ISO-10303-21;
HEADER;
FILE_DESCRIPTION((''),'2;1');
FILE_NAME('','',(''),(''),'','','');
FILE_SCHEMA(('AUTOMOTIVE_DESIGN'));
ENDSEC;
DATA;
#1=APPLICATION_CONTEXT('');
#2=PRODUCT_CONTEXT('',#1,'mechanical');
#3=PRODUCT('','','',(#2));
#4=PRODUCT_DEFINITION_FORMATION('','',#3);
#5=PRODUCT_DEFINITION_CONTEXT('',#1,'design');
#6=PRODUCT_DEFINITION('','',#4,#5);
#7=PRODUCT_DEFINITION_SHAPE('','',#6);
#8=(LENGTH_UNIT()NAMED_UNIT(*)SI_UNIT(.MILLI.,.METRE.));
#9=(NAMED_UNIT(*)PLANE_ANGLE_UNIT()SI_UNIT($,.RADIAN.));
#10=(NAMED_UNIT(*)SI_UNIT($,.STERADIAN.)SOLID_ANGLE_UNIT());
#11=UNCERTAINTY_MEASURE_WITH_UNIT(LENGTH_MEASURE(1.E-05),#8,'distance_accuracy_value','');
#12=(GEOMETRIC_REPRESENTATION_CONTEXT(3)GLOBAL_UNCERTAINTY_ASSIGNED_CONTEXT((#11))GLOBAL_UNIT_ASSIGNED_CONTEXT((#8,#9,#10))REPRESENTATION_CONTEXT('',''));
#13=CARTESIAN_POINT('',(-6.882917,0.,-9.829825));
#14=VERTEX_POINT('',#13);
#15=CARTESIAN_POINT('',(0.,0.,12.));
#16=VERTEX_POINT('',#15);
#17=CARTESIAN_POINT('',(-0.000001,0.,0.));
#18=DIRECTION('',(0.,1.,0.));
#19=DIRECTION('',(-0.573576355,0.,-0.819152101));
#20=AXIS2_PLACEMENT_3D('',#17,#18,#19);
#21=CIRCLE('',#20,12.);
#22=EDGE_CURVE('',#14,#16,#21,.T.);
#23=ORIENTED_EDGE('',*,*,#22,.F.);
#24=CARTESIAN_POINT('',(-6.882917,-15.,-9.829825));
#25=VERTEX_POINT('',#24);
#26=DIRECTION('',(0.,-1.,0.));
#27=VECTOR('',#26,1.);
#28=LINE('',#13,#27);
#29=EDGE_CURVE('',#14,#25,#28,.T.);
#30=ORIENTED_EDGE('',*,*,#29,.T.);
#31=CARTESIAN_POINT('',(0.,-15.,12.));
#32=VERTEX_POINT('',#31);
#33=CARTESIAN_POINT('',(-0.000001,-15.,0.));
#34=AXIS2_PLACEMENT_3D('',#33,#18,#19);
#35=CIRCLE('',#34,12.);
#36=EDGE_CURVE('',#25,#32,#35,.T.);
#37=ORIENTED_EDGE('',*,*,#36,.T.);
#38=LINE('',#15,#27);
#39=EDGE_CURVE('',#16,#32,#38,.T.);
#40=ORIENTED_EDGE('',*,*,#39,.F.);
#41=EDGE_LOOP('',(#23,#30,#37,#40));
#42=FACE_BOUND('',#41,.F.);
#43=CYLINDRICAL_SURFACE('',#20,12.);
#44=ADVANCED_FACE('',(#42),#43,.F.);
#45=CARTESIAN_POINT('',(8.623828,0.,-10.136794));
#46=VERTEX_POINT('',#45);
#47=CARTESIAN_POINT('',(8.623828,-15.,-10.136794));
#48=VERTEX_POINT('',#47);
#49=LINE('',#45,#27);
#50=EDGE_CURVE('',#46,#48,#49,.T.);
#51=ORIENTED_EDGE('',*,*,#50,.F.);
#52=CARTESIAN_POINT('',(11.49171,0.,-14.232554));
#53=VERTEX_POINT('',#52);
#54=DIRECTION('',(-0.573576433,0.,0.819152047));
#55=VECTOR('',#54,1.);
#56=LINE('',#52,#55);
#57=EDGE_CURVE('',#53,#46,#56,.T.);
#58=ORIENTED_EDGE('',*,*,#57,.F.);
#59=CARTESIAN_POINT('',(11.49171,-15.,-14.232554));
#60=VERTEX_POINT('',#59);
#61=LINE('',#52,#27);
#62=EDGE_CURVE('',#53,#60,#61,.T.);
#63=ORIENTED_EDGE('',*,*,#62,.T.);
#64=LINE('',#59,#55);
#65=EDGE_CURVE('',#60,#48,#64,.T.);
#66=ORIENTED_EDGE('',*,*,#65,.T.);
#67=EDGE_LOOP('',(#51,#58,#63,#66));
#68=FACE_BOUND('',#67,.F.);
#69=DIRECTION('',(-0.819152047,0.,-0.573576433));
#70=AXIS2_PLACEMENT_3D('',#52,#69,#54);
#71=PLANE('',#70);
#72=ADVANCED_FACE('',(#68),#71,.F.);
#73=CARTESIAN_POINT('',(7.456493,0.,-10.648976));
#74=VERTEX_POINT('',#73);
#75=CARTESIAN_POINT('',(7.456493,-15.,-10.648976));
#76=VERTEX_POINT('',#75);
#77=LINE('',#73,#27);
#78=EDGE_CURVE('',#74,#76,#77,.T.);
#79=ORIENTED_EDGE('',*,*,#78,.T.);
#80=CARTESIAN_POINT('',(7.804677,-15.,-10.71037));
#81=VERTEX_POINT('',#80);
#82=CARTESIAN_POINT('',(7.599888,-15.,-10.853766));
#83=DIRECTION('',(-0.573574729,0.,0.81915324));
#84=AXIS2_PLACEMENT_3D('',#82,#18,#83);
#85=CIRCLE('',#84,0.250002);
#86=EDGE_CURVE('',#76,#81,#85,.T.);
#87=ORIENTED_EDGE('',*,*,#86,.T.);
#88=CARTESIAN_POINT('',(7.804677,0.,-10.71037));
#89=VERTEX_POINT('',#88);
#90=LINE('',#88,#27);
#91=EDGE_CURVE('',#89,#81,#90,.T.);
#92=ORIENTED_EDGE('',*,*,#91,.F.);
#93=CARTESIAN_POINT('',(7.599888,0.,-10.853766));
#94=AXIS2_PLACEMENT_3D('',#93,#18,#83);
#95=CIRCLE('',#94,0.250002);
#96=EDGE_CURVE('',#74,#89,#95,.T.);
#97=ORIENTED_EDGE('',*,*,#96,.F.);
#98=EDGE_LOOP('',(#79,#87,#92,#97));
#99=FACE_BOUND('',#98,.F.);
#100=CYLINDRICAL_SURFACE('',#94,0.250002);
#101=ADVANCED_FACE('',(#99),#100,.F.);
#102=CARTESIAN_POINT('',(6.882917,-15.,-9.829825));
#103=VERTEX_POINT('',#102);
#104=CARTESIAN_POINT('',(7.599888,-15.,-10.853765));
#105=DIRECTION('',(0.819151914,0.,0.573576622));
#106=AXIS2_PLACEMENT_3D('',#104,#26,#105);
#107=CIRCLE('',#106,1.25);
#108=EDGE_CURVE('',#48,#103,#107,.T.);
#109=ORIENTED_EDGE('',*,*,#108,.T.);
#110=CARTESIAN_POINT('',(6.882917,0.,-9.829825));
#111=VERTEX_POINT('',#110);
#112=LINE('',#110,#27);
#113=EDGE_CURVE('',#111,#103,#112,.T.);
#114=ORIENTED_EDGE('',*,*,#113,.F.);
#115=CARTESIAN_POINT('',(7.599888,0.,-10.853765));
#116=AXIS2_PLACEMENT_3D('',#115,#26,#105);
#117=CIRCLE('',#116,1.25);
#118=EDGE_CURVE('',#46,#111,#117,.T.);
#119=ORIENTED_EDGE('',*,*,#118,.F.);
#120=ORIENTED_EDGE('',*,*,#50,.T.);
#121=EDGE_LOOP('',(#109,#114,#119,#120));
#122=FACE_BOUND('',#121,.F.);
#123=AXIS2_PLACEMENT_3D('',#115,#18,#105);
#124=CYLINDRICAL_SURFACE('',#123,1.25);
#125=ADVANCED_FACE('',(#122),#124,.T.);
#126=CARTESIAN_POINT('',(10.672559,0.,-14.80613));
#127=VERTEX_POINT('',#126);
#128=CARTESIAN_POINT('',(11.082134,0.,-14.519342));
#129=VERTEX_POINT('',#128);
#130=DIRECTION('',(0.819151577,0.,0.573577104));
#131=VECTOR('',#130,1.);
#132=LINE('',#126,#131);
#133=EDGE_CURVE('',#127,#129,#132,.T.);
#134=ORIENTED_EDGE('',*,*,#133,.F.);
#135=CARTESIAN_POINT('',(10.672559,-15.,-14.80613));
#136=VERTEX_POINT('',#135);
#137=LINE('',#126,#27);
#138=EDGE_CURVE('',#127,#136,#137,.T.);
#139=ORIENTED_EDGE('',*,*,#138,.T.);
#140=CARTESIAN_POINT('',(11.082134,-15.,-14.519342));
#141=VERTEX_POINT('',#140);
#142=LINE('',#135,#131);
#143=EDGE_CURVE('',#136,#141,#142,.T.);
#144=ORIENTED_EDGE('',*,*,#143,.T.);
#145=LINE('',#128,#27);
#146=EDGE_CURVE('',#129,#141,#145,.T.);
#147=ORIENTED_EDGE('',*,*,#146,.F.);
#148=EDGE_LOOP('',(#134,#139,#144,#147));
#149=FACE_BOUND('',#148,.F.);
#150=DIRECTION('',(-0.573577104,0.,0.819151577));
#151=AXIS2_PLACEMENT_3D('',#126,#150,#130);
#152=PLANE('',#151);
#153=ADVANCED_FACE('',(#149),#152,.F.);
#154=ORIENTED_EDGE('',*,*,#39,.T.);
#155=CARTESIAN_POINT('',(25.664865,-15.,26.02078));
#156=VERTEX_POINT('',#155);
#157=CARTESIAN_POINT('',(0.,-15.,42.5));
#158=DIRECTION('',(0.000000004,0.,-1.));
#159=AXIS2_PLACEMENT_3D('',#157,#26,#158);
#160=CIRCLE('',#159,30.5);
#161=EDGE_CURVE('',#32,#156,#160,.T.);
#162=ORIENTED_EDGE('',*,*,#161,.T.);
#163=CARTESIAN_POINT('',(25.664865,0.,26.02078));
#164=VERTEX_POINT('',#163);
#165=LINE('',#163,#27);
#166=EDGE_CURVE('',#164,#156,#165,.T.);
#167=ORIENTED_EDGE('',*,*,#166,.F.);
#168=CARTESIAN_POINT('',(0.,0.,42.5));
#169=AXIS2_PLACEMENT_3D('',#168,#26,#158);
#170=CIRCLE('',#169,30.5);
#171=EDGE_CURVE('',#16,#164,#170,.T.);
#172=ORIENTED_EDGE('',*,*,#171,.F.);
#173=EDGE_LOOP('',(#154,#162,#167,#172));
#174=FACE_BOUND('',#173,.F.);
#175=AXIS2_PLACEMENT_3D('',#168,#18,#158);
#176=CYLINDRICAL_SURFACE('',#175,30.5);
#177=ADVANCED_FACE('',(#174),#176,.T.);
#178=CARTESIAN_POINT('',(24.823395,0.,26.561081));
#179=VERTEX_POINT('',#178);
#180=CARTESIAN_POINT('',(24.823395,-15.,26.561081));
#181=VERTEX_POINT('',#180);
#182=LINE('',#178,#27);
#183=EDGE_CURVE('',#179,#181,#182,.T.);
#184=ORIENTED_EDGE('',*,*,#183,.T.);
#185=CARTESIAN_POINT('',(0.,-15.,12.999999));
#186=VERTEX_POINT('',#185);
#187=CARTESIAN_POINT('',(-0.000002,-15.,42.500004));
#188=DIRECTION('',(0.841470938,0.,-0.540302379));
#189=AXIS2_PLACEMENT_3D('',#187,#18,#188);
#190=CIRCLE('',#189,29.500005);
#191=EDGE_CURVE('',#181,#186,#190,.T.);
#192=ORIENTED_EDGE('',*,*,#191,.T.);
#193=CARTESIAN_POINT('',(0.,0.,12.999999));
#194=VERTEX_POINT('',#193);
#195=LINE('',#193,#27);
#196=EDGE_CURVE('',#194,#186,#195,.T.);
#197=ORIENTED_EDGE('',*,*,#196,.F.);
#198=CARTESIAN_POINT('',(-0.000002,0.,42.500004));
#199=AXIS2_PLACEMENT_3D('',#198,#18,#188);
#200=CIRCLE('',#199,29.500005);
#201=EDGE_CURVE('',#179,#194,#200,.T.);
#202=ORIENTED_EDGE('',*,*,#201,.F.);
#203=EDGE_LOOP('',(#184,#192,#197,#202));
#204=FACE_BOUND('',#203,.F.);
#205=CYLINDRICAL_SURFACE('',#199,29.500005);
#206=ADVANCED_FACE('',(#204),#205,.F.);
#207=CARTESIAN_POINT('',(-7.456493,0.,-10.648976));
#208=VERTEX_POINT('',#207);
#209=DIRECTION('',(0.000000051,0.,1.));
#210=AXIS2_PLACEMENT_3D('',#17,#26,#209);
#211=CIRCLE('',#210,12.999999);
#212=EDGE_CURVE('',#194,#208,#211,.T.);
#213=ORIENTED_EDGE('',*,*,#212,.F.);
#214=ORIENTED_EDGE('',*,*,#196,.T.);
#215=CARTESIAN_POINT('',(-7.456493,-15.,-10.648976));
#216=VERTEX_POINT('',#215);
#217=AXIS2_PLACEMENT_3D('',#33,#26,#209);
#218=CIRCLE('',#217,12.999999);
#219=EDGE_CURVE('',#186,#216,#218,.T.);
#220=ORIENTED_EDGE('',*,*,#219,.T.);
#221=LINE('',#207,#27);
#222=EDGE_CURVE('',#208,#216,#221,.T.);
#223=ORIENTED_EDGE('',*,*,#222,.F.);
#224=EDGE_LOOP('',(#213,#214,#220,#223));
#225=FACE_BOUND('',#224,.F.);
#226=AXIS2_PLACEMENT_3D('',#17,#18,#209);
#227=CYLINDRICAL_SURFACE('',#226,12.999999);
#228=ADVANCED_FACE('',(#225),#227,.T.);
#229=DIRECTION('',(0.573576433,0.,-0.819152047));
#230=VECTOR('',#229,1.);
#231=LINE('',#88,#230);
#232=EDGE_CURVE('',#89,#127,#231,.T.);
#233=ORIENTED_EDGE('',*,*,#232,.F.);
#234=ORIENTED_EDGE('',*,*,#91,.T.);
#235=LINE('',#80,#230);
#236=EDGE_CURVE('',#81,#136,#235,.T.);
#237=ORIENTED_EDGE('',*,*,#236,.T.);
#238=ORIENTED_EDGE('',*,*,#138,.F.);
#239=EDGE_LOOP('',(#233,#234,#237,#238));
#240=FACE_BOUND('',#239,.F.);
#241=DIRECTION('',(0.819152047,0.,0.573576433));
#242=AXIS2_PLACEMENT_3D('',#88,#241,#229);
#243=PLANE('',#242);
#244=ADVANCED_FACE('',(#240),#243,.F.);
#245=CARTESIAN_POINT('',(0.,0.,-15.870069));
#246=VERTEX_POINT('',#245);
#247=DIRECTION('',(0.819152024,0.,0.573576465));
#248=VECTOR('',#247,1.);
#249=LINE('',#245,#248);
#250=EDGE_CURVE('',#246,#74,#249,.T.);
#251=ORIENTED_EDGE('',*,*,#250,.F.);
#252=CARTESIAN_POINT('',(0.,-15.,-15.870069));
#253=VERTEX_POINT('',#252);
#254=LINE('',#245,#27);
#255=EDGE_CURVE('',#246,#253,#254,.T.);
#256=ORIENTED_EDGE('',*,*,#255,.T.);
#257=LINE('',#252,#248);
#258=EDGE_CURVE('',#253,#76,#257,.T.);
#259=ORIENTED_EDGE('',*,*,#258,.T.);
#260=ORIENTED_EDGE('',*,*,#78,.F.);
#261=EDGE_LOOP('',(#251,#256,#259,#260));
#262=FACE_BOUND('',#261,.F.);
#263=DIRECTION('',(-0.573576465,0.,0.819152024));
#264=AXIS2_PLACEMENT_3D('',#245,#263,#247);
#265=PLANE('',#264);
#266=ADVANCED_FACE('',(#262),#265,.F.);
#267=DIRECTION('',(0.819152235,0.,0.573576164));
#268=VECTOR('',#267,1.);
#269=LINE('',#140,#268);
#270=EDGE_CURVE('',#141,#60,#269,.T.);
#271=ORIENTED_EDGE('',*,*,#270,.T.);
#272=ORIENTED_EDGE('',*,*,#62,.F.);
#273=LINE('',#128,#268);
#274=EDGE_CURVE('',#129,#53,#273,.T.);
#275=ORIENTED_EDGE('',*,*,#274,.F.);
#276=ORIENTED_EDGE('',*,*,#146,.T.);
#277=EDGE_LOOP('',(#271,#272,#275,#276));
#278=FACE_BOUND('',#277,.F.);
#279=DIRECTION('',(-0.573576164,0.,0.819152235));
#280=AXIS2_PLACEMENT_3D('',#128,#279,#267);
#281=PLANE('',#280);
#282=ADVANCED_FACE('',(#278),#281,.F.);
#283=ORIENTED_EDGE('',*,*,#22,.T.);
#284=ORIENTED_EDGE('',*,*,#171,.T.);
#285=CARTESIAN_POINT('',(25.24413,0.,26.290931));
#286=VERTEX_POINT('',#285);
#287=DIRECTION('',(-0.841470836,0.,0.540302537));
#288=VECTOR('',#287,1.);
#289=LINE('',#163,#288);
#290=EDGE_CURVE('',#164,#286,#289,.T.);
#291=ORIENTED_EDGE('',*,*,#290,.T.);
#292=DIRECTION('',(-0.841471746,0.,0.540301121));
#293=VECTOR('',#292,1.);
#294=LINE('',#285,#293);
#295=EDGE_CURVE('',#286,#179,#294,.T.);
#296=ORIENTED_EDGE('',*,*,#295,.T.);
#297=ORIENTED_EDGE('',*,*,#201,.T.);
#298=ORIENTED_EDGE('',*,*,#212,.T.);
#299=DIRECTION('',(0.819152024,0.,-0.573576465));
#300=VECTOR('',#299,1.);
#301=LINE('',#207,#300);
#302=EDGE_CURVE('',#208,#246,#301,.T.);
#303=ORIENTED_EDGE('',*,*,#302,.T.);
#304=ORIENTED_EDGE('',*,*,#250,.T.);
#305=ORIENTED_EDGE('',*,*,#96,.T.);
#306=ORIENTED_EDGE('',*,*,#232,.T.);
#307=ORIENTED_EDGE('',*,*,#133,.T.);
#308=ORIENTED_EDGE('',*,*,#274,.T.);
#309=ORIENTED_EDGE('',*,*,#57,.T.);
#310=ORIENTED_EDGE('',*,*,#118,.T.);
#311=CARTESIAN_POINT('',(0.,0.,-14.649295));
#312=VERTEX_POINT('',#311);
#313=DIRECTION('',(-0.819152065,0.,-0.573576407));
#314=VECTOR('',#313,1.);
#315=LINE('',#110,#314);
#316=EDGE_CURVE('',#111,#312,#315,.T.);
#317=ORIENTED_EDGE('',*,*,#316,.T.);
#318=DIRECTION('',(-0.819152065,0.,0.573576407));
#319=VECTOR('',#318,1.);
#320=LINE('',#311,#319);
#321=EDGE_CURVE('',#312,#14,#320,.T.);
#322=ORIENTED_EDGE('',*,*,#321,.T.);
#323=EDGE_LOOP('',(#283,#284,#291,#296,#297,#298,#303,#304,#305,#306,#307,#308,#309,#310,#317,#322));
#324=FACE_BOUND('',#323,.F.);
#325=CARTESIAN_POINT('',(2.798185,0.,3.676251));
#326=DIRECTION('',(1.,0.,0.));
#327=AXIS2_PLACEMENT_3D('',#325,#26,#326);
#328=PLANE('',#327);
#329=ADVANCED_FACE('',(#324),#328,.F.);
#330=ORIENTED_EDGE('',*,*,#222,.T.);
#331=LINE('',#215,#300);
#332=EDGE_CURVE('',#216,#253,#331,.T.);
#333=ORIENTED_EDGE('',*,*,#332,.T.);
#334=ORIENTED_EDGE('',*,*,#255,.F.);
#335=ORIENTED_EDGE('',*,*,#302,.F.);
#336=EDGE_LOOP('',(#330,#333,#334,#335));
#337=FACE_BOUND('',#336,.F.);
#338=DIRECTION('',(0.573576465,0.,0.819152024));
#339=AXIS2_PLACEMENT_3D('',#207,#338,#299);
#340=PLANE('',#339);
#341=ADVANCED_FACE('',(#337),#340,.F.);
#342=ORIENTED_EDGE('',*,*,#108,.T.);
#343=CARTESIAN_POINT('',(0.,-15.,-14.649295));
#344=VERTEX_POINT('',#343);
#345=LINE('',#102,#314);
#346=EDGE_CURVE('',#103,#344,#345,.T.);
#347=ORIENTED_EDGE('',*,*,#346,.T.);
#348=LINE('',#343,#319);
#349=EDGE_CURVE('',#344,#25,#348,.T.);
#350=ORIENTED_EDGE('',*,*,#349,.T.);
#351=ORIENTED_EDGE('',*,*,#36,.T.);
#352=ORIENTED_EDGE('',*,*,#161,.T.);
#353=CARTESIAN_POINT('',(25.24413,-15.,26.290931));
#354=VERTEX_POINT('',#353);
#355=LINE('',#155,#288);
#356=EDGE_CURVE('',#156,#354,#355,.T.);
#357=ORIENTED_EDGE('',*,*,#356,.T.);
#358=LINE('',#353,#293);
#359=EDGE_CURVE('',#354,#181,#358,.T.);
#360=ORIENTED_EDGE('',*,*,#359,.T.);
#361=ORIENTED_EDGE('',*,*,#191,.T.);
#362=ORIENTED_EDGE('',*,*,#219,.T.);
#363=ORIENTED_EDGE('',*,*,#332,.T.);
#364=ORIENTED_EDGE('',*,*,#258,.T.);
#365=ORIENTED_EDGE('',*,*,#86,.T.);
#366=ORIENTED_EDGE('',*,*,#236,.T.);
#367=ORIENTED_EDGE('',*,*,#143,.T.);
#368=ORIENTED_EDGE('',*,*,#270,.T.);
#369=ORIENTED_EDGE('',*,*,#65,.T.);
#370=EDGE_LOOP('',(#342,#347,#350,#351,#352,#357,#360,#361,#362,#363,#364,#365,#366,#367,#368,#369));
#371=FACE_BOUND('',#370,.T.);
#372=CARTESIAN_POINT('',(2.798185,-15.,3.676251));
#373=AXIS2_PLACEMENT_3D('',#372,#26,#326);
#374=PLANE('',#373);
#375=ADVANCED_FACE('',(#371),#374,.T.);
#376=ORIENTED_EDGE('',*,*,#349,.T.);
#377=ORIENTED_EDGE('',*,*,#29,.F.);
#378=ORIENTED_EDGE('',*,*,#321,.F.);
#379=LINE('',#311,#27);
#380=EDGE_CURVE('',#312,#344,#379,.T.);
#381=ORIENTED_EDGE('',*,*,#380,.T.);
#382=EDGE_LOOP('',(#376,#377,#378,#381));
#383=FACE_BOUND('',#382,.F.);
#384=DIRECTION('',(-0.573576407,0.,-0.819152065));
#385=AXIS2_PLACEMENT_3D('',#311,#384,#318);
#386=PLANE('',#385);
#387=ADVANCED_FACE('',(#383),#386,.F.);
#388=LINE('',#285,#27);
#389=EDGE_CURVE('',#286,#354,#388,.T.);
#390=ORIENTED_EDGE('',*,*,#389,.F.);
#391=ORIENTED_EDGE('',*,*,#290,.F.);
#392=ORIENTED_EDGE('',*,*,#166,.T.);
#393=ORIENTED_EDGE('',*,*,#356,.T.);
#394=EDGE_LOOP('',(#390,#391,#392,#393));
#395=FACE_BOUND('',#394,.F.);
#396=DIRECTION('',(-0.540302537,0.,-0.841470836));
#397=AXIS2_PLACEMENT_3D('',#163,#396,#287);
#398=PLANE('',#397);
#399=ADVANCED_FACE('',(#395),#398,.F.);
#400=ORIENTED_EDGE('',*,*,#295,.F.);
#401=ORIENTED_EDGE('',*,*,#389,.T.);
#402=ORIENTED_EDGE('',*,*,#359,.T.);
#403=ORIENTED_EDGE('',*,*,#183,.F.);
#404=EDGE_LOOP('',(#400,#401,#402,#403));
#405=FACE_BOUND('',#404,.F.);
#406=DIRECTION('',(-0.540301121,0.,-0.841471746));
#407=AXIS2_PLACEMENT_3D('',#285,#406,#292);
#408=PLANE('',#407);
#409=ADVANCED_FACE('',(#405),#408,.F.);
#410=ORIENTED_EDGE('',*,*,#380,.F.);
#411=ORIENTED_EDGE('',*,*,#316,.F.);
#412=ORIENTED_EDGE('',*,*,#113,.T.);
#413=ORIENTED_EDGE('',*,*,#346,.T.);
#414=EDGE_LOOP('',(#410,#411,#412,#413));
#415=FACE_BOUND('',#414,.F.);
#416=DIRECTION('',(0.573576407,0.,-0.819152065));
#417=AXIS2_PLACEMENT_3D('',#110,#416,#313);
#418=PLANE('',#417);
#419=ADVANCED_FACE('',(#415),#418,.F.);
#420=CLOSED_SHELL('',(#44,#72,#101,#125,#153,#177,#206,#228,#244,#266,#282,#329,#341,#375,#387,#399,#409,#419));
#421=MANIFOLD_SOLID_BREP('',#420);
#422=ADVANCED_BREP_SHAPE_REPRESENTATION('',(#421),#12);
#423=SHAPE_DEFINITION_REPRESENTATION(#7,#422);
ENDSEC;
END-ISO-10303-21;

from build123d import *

# Parameters (mm, degrees)
F1_DEPTH = 15


with BuildPart() as f1:
    # F0 (on Front) → F1 (new body)
    with BuildSketch(Plane.XZ):
        with BuildLine():
            ThreePointArc((25.24413, 26.290931), (14.382766, 16.172523), (0, 12.5))
            ThreePointArc((0, 12.5), (-11.921462, 3.758822), (-7.169705, -10.239401))
            Line((-7.169705, -10.239401), (0, -15.259682))
            Line((0, -15.259682), (7.169705, -10.239401))
            ThreePointArc((7.169705, -10.239401), (7.730124, -10.115159), (8.214252, -10.423582))
            Line((8.214252, -10.423582), (11.082134, -14.519342))
            Line((11.082134, -14.519342), (11.49171, -14.232554))
            Line((11.49171, -14.232554), (8.623828, -10.136794))
            ThreePointArc((8.623828, -10.136794), (7.816948, -9.622755), (6.882917, -9.829825))
            Line((6.882917, -9.829825), (0, -14.649295))
            Line((0, -14.649295), (-6.882917, -9.829825))
            ThreePointArc((-6.882917, -9.829825), (-11.444604, 3.60847), (0, 12))
            ThreePointArc((0, 12), (14.622479, 15.733732), (25.664865, 26.02078))
            Line((25.664865, 26.02078), (25.24413, 26.290931))
        make_face()
        with BuildLine():
            ThreePointArc((-7.169705, -10.239401), (-11.921462, 3.758822), (0, 12.5))
            ThreePointArc((0, 12.5), (14.382766, 16.172523), (25.24413, 26.290931))
            Line((25.24413, 26.290931), (24.823395, 26.561081))
            ThreePointArc((24.823395, 26.561081), (14.143054, 16.611314), (0, 12.999999))
            ThreePointArc((0, 12.999999), (-12.39832, 3.909175), (-7.456493, -10.648976))
            Line((-7.456493, -10.648976), (0, -15.870069))
            Line((0, -15.870069), (7.456493, -10.648976))
            ThreePointArc((7.456493, -10.648976), (7.6433, -10.607562), (7.804677, -10.71037))
            Line((7.804677, -10.71037), (10.672559, -14.80613))
            Line((10.672559, -14.80613), (11.082134, -14.519342))
            Line((11.082134, -14.519342), (8.214252, -10.423582))
            ThreePointArc((8.214252, -10.423582), (7.730124, -10.115159), (7.169705, -10.239401))
            Line((7.169705, -10.239401), (0, -15.259682))
            Line((0, -15.259682), (-7.169705, -10.239401))
        make_face()
    extrude(amount=F1_DEPTH)


solid = f1.part
